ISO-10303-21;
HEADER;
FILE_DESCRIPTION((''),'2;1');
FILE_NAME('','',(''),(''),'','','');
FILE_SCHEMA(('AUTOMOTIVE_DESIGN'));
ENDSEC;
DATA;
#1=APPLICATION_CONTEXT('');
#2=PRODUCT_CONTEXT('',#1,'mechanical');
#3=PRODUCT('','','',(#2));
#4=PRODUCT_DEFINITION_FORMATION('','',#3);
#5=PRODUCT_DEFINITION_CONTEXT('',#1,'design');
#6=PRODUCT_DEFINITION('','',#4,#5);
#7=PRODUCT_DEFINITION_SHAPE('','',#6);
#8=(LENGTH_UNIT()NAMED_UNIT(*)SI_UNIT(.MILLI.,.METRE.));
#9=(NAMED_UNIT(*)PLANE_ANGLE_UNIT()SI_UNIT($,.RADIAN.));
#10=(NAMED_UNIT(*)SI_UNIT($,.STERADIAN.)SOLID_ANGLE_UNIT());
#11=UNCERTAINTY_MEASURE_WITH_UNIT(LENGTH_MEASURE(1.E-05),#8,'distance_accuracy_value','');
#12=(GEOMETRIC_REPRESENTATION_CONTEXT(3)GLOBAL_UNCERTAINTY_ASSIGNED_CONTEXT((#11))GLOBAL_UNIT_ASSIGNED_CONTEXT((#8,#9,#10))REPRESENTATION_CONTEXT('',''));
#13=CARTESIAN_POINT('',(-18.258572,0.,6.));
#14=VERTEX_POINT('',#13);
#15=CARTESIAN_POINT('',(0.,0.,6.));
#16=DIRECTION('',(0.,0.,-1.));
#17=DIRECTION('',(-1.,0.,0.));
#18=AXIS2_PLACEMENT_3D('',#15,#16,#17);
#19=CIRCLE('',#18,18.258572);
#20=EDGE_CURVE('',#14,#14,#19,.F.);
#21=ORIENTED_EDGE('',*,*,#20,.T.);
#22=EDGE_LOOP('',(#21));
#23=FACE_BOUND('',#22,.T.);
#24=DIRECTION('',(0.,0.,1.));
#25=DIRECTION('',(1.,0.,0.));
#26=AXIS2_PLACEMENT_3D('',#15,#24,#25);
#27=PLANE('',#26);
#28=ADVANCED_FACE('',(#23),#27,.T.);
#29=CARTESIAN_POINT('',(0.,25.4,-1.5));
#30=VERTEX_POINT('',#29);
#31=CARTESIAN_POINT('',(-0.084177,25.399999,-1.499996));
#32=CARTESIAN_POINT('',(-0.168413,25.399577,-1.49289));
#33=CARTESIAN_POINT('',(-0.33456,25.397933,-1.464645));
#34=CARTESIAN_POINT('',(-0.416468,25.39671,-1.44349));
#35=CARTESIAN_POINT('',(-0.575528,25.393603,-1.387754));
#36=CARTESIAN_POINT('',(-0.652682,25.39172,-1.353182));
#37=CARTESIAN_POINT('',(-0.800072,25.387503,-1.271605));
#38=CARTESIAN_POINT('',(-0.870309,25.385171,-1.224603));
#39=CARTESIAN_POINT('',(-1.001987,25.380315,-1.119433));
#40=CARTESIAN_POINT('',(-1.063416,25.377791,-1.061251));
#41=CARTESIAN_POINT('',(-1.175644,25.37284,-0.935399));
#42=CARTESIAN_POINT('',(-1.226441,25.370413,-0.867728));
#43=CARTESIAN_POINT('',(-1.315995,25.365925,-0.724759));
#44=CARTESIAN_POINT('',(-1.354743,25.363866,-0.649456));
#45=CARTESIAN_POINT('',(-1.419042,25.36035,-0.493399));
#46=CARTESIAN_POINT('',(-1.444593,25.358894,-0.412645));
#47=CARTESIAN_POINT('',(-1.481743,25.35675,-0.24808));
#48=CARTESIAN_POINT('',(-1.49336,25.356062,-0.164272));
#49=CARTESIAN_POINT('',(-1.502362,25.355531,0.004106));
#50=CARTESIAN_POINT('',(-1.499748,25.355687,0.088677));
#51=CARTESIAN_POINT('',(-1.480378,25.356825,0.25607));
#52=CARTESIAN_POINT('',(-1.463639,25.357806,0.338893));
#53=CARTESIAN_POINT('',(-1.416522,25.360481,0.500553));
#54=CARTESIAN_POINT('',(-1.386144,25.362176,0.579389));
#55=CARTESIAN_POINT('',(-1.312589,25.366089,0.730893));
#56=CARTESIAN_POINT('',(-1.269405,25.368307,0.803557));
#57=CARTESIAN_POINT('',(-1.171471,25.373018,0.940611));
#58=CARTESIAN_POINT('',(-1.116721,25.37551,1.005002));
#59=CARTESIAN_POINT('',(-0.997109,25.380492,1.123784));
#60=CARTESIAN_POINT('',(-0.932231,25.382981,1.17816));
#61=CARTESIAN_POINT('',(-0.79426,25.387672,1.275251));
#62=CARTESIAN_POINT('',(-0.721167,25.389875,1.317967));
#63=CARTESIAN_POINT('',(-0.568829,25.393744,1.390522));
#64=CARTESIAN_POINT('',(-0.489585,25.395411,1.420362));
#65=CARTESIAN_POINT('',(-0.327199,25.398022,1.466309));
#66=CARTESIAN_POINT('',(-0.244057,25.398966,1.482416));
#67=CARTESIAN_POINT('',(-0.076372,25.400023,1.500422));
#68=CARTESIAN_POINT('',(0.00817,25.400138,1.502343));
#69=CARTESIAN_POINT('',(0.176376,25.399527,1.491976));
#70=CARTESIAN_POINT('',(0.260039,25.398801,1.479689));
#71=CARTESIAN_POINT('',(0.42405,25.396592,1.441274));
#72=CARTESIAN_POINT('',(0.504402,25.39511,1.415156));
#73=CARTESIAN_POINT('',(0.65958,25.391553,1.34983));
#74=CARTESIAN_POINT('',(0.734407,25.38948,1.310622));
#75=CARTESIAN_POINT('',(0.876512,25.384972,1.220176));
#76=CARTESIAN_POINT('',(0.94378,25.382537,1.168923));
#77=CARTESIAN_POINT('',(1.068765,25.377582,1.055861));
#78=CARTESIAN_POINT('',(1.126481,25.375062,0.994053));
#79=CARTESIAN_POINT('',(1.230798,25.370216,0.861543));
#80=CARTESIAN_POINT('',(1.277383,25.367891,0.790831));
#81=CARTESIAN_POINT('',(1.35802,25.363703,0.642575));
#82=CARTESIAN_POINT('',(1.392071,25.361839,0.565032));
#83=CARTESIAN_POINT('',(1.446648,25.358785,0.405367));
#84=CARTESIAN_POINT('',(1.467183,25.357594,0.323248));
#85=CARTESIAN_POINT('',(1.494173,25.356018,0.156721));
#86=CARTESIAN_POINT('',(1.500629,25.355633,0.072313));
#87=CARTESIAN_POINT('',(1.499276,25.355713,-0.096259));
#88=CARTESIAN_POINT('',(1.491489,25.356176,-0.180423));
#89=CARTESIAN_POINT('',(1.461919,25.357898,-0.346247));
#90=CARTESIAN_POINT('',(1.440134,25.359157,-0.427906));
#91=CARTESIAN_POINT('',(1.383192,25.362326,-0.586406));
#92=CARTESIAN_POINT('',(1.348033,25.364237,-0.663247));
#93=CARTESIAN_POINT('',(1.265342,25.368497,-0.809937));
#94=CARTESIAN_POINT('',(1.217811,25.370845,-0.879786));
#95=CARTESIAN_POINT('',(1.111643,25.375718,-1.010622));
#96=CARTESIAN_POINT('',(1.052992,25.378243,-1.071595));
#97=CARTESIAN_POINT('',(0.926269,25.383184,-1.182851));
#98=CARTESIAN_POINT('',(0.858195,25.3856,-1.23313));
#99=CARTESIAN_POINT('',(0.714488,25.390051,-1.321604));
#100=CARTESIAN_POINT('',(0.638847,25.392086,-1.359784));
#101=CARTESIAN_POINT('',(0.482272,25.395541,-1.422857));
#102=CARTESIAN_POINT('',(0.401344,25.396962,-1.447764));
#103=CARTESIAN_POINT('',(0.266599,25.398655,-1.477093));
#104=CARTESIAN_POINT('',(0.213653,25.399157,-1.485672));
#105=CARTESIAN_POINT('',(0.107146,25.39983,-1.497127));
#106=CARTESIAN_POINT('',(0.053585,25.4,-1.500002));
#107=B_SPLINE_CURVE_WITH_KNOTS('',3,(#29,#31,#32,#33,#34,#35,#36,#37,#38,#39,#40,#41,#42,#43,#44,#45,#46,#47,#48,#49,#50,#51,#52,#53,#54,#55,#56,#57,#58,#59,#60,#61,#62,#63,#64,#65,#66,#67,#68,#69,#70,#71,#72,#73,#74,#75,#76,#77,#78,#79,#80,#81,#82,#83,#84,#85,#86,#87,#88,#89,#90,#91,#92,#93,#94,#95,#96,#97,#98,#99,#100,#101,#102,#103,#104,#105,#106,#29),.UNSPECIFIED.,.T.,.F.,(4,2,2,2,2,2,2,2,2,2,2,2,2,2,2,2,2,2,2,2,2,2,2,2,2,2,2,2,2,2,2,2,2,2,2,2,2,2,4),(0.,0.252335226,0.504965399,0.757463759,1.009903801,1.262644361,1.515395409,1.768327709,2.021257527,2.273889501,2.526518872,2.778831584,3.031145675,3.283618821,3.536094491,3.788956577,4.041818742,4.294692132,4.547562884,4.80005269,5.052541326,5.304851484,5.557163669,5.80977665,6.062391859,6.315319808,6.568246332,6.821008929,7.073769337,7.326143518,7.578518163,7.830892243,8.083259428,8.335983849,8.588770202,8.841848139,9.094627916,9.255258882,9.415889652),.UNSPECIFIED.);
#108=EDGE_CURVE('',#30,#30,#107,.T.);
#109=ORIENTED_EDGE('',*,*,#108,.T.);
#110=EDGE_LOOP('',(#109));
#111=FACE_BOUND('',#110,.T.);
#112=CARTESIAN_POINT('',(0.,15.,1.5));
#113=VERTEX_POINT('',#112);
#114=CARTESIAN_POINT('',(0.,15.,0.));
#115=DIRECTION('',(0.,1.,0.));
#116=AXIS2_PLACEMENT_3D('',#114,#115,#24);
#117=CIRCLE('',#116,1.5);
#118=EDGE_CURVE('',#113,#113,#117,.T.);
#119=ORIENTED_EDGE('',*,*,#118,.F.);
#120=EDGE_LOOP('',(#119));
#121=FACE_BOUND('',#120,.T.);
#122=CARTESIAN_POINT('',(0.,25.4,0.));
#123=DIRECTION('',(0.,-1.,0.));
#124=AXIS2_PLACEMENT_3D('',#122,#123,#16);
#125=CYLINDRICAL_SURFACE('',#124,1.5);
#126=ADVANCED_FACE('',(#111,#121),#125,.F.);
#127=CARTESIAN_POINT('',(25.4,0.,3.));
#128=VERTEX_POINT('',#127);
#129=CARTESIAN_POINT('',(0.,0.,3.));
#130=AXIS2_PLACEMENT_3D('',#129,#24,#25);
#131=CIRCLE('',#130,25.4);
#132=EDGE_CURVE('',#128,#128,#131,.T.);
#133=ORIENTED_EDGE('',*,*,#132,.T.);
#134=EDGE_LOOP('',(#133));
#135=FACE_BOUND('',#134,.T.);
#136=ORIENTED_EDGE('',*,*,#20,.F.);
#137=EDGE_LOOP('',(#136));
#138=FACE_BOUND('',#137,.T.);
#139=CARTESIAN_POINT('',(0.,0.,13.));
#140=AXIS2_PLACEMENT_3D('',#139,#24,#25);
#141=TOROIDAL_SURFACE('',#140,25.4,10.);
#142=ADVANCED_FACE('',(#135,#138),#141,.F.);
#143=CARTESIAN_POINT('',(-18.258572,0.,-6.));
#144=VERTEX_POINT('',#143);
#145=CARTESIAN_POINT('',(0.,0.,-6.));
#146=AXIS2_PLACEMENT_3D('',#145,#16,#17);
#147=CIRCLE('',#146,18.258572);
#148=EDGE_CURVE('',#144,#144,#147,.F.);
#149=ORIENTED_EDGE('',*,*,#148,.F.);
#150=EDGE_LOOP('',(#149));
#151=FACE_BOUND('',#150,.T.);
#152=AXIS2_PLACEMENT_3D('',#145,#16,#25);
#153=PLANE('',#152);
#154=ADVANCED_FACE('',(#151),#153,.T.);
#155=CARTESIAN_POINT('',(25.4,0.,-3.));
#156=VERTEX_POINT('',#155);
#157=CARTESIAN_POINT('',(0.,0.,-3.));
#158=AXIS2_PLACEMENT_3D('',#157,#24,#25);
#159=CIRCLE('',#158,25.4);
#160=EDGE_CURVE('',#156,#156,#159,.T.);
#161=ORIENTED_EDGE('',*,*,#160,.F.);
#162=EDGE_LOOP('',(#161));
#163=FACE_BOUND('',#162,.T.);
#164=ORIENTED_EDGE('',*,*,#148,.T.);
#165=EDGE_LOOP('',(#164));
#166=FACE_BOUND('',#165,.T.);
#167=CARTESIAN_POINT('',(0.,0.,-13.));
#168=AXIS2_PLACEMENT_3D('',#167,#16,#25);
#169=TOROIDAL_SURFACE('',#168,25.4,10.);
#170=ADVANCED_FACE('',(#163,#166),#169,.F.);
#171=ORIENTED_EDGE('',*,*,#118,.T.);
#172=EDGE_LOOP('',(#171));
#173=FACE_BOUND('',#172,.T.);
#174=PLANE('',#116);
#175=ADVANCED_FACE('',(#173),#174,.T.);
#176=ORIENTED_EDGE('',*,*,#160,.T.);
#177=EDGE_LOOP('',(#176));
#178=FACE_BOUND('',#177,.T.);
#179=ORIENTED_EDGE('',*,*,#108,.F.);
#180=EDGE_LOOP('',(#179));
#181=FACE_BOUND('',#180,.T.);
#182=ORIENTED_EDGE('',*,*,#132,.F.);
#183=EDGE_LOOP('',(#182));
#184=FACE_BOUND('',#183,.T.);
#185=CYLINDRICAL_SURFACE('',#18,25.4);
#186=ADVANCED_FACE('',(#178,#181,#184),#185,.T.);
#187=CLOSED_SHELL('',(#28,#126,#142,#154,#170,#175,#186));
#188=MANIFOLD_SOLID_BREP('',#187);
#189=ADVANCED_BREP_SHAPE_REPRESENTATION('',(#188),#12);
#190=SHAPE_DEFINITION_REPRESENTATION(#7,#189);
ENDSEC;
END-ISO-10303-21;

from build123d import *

# Parameters (mm, degrees)
SKETCH1_R           = 25.4
BOSS_EXTRUDE1_DEPTH = 6
SKETCH2_R           = 10
SKETCH3_R           = 1.5
CUT_EXTRUDE1_DEPTH  = 11.4


with BuildPart() as part:
    # Sketch1 → Boss-Extrude1 (new body)
    with BuildSketch(Plane.XY):
        Circle(SKETCH1_R)
    extrude(amount=BOSS_EXTRUDE1_DEPTH)

    # Sketch2 → Cut-Revolve1 (revolve, cut)
    with BuildSketch(Plane(origin=(0, 0, 0), x_dir=(0, 0, -1), z_dir=(1, 0, 0))):
        with Locations((-13, 25.4)):
            Circle(SKETCH2_R)
    revolve(axis=Axis((0, 0, 6), (0, 0, -1)), mode=Mode.SUBTRACT)

    # Mirror1: part across plane


with BuildPart() as part_1:
    add(part.part)
    add(part.part.mirror(Plane.XY))

    # Sketch3 → Cut-Extrude1 (cut, through all)
    with BuildSketch(Plane(origin=(0, 15, 0), x_dir=(1, 0, 0), z_dir=(0, 1, 0))):
        Circle(SKETCH3_R)
    extrude(amount=CUT_EXTRUDE1_DEPTH, mode=Mode.SUBTRACT)


solid = part_1.part
